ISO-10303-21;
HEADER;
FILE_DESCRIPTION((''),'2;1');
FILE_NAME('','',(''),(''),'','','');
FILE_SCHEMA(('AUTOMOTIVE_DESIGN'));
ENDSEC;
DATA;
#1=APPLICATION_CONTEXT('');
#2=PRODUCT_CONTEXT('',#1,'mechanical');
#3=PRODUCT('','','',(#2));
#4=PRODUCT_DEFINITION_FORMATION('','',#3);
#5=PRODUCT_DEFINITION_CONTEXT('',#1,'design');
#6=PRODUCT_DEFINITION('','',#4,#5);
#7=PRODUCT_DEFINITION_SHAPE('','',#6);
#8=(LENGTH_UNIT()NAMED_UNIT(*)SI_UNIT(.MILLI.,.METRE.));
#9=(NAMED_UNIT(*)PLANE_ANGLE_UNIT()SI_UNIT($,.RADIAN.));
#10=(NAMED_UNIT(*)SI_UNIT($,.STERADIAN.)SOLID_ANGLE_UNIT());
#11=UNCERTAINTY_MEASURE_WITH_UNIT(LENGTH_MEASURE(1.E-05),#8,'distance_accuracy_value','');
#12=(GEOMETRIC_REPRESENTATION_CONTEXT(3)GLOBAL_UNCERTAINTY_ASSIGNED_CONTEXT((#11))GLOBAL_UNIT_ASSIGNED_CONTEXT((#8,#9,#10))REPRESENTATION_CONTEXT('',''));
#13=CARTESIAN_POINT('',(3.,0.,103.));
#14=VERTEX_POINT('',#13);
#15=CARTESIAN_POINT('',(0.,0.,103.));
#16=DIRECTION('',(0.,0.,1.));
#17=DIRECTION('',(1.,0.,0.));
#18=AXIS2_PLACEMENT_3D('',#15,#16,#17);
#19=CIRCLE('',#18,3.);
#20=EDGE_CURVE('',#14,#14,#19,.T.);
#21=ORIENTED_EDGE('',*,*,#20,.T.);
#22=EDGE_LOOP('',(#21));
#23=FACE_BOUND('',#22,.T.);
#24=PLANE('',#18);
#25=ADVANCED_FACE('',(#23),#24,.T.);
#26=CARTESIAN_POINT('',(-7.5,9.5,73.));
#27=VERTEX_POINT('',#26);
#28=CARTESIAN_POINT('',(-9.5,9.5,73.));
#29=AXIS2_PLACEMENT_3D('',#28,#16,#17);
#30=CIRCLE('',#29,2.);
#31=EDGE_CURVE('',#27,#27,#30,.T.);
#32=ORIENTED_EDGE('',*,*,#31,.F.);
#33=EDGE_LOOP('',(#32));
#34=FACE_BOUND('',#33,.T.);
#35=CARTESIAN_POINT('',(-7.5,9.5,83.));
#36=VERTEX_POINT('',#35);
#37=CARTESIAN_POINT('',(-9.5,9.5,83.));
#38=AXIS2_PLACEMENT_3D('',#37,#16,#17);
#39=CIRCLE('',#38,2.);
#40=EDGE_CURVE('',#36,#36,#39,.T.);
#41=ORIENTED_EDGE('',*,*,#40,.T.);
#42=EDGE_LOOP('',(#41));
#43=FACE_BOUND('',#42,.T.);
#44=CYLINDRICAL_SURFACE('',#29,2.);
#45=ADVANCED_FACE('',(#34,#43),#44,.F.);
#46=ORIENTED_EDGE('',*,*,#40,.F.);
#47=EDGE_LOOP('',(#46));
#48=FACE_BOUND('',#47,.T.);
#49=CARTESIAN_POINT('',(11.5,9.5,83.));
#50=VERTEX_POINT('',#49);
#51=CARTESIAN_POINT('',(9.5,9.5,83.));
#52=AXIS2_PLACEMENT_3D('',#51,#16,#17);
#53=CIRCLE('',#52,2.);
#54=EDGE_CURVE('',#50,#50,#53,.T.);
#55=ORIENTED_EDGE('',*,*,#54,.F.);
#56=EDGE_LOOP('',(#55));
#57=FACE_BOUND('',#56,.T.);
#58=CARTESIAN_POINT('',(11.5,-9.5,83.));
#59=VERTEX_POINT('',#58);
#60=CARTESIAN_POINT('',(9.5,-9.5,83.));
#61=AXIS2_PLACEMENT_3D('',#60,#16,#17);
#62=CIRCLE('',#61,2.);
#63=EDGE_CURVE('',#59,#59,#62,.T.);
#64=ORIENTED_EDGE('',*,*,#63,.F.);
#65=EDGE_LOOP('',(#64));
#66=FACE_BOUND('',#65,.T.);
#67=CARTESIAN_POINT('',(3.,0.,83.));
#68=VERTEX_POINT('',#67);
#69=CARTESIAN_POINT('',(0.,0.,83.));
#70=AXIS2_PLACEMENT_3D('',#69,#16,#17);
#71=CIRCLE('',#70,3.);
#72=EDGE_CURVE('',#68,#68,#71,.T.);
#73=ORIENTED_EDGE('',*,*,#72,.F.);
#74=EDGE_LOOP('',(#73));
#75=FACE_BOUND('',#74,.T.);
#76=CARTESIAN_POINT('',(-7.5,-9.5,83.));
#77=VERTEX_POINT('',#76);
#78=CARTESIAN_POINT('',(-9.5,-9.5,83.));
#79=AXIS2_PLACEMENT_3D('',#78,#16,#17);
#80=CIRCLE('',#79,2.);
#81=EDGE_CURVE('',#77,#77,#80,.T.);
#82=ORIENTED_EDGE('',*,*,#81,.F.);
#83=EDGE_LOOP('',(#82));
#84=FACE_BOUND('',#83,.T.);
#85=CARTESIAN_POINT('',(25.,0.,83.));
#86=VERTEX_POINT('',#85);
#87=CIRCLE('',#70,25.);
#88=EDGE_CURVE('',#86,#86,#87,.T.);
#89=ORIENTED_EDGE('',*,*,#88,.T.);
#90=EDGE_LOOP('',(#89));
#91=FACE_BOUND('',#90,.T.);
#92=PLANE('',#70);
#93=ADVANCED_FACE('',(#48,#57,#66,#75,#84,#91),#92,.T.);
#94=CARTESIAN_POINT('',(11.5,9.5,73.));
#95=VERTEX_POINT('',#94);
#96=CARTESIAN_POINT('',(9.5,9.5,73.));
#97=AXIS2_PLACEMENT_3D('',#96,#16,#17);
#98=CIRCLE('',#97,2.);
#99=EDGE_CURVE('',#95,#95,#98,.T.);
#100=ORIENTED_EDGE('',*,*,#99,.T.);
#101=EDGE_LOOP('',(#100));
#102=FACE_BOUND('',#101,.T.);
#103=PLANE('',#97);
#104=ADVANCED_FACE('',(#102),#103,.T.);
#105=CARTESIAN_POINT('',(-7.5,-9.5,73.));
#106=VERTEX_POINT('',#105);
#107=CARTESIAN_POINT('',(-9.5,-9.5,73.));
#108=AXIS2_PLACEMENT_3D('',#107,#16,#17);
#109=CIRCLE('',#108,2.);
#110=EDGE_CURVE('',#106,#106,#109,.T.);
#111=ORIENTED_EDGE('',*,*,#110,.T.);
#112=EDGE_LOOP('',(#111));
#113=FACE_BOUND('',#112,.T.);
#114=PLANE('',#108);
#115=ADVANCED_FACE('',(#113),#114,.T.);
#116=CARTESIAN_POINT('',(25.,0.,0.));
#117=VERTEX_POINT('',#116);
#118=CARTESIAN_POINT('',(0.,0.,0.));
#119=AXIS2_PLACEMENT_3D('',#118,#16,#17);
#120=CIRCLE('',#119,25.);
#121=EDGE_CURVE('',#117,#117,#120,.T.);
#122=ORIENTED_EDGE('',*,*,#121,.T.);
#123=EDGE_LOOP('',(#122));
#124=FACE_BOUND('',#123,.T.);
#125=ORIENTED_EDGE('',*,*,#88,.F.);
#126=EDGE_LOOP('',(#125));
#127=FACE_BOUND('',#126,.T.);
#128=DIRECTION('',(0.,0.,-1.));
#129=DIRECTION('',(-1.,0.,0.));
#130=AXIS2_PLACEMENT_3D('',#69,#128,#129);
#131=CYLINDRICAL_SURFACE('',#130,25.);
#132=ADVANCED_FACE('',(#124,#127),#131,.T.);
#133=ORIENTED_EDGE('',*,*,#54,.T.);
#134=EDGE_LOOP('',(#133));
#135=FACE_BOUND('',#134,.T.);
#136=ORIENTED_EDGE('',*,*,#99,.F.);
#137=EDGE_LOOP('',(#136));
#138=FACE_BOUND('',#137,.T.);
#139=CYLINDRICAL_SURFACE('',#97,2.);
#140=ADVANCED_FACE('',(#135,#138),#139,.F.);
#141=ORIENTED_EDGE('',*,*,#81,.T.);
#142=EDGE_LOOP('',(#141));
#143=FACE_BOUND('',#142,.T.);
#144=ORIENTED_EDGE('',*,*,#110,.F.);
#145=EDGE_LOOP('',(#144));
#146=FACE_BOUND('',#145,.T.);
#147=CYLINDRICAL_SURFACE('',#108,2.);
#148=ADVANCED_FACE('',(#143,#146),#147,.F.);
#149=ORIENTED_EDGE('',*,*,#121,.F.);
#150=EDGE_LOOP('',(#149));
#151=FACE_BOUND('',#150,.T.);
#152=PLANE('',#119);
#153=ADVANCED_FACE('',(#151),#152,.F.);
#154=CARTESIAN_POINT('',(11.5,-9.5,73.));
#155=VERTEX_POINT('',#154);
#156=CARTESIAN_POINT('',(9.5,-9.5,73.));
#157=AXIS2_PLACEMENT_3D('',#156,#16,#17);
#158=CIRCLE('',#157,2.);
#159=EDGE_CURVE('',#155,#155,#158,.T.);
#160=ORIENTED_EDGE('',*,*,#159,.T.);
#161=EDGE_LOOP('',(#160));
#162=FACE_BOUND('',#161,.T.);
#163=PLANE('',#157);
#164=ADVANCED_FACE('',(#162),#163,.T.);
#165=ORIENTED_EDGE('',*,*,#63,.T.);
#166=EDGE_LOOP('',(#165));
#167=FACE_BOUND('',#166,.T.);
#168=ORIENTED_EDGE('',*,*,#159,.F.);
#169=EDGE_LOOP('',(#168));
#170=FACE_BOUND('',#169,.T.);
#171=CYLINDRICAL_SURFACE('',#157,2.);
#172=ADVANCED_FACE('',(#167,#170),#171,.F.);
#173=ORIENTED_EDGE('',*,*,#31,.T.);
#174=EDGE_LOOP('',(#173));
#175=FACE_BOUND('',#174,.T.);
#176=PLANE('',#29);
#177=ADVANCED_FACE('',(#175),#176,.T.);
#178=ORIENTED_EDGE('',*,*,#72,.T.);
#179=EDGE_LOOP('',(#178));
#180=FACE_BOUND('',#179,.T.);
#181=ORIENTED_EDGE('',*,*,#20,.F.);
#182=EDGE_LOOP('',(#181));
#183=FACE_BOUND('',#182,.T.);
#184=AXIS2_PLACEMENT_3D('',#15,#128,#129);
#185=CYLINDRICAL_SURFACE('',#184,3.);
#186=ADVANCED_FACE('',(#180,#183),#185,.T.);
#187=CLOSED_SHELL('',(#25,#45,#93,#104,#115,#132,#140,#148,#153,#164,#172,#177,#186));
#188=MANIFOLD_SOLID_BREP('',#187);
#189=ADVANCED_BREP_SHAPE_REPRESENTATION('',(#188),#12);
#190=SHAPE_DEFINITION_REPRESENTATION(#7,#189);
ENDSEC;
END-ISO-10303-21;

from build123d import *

# Parameters (mm, degrees)
SKETCH1_R           = 25
BOSS_EXTRUDE1_DEPTH = 83
SKETCH2_R           = 3
BOSS_EXTRUDE2_DEPTH = 20
SKETCH3_R           = 2
CUT_EXTRUDE1_DEPTH  = 10


with BuildPart() as part:
    # Sketch1 → Boss-Extrude1 (new body)
    with BuildSketch(Plane.XY):
        Circle(SKETCH1_R)
    extrude(amount=BOSS_EXTRUDE1_DEPTH)

    # Sketch2 → Boss-Extrude2 (add)
    with BuildSketch(Plane.XY.offset(83)):
        Circle(SKETCH2_R)
    extrude(amount=BOSS_EXTRUDE2_DEPTH)

    # Sketch3 → Cut-Extrude1 (cut)
    with BuildSketch(Plane.XY.offset(83)):
        with Locations((-9.5, 9.5)):
            Circle(SKETCH3_R)
        with Locations((-9.5, -9.5)):
            Circle(SKETCH3_R)
        with Locations((9.5, -9.5)):
            Circle(SKETCH3_R)
        with Locations((9.5, 9.5)):
            Circle(SKETCH3_R)
    extrude(amount=-CUT_EXTRUDE1_DEPTH, mode=Mode.SUBTRACT)


solid = part.part
